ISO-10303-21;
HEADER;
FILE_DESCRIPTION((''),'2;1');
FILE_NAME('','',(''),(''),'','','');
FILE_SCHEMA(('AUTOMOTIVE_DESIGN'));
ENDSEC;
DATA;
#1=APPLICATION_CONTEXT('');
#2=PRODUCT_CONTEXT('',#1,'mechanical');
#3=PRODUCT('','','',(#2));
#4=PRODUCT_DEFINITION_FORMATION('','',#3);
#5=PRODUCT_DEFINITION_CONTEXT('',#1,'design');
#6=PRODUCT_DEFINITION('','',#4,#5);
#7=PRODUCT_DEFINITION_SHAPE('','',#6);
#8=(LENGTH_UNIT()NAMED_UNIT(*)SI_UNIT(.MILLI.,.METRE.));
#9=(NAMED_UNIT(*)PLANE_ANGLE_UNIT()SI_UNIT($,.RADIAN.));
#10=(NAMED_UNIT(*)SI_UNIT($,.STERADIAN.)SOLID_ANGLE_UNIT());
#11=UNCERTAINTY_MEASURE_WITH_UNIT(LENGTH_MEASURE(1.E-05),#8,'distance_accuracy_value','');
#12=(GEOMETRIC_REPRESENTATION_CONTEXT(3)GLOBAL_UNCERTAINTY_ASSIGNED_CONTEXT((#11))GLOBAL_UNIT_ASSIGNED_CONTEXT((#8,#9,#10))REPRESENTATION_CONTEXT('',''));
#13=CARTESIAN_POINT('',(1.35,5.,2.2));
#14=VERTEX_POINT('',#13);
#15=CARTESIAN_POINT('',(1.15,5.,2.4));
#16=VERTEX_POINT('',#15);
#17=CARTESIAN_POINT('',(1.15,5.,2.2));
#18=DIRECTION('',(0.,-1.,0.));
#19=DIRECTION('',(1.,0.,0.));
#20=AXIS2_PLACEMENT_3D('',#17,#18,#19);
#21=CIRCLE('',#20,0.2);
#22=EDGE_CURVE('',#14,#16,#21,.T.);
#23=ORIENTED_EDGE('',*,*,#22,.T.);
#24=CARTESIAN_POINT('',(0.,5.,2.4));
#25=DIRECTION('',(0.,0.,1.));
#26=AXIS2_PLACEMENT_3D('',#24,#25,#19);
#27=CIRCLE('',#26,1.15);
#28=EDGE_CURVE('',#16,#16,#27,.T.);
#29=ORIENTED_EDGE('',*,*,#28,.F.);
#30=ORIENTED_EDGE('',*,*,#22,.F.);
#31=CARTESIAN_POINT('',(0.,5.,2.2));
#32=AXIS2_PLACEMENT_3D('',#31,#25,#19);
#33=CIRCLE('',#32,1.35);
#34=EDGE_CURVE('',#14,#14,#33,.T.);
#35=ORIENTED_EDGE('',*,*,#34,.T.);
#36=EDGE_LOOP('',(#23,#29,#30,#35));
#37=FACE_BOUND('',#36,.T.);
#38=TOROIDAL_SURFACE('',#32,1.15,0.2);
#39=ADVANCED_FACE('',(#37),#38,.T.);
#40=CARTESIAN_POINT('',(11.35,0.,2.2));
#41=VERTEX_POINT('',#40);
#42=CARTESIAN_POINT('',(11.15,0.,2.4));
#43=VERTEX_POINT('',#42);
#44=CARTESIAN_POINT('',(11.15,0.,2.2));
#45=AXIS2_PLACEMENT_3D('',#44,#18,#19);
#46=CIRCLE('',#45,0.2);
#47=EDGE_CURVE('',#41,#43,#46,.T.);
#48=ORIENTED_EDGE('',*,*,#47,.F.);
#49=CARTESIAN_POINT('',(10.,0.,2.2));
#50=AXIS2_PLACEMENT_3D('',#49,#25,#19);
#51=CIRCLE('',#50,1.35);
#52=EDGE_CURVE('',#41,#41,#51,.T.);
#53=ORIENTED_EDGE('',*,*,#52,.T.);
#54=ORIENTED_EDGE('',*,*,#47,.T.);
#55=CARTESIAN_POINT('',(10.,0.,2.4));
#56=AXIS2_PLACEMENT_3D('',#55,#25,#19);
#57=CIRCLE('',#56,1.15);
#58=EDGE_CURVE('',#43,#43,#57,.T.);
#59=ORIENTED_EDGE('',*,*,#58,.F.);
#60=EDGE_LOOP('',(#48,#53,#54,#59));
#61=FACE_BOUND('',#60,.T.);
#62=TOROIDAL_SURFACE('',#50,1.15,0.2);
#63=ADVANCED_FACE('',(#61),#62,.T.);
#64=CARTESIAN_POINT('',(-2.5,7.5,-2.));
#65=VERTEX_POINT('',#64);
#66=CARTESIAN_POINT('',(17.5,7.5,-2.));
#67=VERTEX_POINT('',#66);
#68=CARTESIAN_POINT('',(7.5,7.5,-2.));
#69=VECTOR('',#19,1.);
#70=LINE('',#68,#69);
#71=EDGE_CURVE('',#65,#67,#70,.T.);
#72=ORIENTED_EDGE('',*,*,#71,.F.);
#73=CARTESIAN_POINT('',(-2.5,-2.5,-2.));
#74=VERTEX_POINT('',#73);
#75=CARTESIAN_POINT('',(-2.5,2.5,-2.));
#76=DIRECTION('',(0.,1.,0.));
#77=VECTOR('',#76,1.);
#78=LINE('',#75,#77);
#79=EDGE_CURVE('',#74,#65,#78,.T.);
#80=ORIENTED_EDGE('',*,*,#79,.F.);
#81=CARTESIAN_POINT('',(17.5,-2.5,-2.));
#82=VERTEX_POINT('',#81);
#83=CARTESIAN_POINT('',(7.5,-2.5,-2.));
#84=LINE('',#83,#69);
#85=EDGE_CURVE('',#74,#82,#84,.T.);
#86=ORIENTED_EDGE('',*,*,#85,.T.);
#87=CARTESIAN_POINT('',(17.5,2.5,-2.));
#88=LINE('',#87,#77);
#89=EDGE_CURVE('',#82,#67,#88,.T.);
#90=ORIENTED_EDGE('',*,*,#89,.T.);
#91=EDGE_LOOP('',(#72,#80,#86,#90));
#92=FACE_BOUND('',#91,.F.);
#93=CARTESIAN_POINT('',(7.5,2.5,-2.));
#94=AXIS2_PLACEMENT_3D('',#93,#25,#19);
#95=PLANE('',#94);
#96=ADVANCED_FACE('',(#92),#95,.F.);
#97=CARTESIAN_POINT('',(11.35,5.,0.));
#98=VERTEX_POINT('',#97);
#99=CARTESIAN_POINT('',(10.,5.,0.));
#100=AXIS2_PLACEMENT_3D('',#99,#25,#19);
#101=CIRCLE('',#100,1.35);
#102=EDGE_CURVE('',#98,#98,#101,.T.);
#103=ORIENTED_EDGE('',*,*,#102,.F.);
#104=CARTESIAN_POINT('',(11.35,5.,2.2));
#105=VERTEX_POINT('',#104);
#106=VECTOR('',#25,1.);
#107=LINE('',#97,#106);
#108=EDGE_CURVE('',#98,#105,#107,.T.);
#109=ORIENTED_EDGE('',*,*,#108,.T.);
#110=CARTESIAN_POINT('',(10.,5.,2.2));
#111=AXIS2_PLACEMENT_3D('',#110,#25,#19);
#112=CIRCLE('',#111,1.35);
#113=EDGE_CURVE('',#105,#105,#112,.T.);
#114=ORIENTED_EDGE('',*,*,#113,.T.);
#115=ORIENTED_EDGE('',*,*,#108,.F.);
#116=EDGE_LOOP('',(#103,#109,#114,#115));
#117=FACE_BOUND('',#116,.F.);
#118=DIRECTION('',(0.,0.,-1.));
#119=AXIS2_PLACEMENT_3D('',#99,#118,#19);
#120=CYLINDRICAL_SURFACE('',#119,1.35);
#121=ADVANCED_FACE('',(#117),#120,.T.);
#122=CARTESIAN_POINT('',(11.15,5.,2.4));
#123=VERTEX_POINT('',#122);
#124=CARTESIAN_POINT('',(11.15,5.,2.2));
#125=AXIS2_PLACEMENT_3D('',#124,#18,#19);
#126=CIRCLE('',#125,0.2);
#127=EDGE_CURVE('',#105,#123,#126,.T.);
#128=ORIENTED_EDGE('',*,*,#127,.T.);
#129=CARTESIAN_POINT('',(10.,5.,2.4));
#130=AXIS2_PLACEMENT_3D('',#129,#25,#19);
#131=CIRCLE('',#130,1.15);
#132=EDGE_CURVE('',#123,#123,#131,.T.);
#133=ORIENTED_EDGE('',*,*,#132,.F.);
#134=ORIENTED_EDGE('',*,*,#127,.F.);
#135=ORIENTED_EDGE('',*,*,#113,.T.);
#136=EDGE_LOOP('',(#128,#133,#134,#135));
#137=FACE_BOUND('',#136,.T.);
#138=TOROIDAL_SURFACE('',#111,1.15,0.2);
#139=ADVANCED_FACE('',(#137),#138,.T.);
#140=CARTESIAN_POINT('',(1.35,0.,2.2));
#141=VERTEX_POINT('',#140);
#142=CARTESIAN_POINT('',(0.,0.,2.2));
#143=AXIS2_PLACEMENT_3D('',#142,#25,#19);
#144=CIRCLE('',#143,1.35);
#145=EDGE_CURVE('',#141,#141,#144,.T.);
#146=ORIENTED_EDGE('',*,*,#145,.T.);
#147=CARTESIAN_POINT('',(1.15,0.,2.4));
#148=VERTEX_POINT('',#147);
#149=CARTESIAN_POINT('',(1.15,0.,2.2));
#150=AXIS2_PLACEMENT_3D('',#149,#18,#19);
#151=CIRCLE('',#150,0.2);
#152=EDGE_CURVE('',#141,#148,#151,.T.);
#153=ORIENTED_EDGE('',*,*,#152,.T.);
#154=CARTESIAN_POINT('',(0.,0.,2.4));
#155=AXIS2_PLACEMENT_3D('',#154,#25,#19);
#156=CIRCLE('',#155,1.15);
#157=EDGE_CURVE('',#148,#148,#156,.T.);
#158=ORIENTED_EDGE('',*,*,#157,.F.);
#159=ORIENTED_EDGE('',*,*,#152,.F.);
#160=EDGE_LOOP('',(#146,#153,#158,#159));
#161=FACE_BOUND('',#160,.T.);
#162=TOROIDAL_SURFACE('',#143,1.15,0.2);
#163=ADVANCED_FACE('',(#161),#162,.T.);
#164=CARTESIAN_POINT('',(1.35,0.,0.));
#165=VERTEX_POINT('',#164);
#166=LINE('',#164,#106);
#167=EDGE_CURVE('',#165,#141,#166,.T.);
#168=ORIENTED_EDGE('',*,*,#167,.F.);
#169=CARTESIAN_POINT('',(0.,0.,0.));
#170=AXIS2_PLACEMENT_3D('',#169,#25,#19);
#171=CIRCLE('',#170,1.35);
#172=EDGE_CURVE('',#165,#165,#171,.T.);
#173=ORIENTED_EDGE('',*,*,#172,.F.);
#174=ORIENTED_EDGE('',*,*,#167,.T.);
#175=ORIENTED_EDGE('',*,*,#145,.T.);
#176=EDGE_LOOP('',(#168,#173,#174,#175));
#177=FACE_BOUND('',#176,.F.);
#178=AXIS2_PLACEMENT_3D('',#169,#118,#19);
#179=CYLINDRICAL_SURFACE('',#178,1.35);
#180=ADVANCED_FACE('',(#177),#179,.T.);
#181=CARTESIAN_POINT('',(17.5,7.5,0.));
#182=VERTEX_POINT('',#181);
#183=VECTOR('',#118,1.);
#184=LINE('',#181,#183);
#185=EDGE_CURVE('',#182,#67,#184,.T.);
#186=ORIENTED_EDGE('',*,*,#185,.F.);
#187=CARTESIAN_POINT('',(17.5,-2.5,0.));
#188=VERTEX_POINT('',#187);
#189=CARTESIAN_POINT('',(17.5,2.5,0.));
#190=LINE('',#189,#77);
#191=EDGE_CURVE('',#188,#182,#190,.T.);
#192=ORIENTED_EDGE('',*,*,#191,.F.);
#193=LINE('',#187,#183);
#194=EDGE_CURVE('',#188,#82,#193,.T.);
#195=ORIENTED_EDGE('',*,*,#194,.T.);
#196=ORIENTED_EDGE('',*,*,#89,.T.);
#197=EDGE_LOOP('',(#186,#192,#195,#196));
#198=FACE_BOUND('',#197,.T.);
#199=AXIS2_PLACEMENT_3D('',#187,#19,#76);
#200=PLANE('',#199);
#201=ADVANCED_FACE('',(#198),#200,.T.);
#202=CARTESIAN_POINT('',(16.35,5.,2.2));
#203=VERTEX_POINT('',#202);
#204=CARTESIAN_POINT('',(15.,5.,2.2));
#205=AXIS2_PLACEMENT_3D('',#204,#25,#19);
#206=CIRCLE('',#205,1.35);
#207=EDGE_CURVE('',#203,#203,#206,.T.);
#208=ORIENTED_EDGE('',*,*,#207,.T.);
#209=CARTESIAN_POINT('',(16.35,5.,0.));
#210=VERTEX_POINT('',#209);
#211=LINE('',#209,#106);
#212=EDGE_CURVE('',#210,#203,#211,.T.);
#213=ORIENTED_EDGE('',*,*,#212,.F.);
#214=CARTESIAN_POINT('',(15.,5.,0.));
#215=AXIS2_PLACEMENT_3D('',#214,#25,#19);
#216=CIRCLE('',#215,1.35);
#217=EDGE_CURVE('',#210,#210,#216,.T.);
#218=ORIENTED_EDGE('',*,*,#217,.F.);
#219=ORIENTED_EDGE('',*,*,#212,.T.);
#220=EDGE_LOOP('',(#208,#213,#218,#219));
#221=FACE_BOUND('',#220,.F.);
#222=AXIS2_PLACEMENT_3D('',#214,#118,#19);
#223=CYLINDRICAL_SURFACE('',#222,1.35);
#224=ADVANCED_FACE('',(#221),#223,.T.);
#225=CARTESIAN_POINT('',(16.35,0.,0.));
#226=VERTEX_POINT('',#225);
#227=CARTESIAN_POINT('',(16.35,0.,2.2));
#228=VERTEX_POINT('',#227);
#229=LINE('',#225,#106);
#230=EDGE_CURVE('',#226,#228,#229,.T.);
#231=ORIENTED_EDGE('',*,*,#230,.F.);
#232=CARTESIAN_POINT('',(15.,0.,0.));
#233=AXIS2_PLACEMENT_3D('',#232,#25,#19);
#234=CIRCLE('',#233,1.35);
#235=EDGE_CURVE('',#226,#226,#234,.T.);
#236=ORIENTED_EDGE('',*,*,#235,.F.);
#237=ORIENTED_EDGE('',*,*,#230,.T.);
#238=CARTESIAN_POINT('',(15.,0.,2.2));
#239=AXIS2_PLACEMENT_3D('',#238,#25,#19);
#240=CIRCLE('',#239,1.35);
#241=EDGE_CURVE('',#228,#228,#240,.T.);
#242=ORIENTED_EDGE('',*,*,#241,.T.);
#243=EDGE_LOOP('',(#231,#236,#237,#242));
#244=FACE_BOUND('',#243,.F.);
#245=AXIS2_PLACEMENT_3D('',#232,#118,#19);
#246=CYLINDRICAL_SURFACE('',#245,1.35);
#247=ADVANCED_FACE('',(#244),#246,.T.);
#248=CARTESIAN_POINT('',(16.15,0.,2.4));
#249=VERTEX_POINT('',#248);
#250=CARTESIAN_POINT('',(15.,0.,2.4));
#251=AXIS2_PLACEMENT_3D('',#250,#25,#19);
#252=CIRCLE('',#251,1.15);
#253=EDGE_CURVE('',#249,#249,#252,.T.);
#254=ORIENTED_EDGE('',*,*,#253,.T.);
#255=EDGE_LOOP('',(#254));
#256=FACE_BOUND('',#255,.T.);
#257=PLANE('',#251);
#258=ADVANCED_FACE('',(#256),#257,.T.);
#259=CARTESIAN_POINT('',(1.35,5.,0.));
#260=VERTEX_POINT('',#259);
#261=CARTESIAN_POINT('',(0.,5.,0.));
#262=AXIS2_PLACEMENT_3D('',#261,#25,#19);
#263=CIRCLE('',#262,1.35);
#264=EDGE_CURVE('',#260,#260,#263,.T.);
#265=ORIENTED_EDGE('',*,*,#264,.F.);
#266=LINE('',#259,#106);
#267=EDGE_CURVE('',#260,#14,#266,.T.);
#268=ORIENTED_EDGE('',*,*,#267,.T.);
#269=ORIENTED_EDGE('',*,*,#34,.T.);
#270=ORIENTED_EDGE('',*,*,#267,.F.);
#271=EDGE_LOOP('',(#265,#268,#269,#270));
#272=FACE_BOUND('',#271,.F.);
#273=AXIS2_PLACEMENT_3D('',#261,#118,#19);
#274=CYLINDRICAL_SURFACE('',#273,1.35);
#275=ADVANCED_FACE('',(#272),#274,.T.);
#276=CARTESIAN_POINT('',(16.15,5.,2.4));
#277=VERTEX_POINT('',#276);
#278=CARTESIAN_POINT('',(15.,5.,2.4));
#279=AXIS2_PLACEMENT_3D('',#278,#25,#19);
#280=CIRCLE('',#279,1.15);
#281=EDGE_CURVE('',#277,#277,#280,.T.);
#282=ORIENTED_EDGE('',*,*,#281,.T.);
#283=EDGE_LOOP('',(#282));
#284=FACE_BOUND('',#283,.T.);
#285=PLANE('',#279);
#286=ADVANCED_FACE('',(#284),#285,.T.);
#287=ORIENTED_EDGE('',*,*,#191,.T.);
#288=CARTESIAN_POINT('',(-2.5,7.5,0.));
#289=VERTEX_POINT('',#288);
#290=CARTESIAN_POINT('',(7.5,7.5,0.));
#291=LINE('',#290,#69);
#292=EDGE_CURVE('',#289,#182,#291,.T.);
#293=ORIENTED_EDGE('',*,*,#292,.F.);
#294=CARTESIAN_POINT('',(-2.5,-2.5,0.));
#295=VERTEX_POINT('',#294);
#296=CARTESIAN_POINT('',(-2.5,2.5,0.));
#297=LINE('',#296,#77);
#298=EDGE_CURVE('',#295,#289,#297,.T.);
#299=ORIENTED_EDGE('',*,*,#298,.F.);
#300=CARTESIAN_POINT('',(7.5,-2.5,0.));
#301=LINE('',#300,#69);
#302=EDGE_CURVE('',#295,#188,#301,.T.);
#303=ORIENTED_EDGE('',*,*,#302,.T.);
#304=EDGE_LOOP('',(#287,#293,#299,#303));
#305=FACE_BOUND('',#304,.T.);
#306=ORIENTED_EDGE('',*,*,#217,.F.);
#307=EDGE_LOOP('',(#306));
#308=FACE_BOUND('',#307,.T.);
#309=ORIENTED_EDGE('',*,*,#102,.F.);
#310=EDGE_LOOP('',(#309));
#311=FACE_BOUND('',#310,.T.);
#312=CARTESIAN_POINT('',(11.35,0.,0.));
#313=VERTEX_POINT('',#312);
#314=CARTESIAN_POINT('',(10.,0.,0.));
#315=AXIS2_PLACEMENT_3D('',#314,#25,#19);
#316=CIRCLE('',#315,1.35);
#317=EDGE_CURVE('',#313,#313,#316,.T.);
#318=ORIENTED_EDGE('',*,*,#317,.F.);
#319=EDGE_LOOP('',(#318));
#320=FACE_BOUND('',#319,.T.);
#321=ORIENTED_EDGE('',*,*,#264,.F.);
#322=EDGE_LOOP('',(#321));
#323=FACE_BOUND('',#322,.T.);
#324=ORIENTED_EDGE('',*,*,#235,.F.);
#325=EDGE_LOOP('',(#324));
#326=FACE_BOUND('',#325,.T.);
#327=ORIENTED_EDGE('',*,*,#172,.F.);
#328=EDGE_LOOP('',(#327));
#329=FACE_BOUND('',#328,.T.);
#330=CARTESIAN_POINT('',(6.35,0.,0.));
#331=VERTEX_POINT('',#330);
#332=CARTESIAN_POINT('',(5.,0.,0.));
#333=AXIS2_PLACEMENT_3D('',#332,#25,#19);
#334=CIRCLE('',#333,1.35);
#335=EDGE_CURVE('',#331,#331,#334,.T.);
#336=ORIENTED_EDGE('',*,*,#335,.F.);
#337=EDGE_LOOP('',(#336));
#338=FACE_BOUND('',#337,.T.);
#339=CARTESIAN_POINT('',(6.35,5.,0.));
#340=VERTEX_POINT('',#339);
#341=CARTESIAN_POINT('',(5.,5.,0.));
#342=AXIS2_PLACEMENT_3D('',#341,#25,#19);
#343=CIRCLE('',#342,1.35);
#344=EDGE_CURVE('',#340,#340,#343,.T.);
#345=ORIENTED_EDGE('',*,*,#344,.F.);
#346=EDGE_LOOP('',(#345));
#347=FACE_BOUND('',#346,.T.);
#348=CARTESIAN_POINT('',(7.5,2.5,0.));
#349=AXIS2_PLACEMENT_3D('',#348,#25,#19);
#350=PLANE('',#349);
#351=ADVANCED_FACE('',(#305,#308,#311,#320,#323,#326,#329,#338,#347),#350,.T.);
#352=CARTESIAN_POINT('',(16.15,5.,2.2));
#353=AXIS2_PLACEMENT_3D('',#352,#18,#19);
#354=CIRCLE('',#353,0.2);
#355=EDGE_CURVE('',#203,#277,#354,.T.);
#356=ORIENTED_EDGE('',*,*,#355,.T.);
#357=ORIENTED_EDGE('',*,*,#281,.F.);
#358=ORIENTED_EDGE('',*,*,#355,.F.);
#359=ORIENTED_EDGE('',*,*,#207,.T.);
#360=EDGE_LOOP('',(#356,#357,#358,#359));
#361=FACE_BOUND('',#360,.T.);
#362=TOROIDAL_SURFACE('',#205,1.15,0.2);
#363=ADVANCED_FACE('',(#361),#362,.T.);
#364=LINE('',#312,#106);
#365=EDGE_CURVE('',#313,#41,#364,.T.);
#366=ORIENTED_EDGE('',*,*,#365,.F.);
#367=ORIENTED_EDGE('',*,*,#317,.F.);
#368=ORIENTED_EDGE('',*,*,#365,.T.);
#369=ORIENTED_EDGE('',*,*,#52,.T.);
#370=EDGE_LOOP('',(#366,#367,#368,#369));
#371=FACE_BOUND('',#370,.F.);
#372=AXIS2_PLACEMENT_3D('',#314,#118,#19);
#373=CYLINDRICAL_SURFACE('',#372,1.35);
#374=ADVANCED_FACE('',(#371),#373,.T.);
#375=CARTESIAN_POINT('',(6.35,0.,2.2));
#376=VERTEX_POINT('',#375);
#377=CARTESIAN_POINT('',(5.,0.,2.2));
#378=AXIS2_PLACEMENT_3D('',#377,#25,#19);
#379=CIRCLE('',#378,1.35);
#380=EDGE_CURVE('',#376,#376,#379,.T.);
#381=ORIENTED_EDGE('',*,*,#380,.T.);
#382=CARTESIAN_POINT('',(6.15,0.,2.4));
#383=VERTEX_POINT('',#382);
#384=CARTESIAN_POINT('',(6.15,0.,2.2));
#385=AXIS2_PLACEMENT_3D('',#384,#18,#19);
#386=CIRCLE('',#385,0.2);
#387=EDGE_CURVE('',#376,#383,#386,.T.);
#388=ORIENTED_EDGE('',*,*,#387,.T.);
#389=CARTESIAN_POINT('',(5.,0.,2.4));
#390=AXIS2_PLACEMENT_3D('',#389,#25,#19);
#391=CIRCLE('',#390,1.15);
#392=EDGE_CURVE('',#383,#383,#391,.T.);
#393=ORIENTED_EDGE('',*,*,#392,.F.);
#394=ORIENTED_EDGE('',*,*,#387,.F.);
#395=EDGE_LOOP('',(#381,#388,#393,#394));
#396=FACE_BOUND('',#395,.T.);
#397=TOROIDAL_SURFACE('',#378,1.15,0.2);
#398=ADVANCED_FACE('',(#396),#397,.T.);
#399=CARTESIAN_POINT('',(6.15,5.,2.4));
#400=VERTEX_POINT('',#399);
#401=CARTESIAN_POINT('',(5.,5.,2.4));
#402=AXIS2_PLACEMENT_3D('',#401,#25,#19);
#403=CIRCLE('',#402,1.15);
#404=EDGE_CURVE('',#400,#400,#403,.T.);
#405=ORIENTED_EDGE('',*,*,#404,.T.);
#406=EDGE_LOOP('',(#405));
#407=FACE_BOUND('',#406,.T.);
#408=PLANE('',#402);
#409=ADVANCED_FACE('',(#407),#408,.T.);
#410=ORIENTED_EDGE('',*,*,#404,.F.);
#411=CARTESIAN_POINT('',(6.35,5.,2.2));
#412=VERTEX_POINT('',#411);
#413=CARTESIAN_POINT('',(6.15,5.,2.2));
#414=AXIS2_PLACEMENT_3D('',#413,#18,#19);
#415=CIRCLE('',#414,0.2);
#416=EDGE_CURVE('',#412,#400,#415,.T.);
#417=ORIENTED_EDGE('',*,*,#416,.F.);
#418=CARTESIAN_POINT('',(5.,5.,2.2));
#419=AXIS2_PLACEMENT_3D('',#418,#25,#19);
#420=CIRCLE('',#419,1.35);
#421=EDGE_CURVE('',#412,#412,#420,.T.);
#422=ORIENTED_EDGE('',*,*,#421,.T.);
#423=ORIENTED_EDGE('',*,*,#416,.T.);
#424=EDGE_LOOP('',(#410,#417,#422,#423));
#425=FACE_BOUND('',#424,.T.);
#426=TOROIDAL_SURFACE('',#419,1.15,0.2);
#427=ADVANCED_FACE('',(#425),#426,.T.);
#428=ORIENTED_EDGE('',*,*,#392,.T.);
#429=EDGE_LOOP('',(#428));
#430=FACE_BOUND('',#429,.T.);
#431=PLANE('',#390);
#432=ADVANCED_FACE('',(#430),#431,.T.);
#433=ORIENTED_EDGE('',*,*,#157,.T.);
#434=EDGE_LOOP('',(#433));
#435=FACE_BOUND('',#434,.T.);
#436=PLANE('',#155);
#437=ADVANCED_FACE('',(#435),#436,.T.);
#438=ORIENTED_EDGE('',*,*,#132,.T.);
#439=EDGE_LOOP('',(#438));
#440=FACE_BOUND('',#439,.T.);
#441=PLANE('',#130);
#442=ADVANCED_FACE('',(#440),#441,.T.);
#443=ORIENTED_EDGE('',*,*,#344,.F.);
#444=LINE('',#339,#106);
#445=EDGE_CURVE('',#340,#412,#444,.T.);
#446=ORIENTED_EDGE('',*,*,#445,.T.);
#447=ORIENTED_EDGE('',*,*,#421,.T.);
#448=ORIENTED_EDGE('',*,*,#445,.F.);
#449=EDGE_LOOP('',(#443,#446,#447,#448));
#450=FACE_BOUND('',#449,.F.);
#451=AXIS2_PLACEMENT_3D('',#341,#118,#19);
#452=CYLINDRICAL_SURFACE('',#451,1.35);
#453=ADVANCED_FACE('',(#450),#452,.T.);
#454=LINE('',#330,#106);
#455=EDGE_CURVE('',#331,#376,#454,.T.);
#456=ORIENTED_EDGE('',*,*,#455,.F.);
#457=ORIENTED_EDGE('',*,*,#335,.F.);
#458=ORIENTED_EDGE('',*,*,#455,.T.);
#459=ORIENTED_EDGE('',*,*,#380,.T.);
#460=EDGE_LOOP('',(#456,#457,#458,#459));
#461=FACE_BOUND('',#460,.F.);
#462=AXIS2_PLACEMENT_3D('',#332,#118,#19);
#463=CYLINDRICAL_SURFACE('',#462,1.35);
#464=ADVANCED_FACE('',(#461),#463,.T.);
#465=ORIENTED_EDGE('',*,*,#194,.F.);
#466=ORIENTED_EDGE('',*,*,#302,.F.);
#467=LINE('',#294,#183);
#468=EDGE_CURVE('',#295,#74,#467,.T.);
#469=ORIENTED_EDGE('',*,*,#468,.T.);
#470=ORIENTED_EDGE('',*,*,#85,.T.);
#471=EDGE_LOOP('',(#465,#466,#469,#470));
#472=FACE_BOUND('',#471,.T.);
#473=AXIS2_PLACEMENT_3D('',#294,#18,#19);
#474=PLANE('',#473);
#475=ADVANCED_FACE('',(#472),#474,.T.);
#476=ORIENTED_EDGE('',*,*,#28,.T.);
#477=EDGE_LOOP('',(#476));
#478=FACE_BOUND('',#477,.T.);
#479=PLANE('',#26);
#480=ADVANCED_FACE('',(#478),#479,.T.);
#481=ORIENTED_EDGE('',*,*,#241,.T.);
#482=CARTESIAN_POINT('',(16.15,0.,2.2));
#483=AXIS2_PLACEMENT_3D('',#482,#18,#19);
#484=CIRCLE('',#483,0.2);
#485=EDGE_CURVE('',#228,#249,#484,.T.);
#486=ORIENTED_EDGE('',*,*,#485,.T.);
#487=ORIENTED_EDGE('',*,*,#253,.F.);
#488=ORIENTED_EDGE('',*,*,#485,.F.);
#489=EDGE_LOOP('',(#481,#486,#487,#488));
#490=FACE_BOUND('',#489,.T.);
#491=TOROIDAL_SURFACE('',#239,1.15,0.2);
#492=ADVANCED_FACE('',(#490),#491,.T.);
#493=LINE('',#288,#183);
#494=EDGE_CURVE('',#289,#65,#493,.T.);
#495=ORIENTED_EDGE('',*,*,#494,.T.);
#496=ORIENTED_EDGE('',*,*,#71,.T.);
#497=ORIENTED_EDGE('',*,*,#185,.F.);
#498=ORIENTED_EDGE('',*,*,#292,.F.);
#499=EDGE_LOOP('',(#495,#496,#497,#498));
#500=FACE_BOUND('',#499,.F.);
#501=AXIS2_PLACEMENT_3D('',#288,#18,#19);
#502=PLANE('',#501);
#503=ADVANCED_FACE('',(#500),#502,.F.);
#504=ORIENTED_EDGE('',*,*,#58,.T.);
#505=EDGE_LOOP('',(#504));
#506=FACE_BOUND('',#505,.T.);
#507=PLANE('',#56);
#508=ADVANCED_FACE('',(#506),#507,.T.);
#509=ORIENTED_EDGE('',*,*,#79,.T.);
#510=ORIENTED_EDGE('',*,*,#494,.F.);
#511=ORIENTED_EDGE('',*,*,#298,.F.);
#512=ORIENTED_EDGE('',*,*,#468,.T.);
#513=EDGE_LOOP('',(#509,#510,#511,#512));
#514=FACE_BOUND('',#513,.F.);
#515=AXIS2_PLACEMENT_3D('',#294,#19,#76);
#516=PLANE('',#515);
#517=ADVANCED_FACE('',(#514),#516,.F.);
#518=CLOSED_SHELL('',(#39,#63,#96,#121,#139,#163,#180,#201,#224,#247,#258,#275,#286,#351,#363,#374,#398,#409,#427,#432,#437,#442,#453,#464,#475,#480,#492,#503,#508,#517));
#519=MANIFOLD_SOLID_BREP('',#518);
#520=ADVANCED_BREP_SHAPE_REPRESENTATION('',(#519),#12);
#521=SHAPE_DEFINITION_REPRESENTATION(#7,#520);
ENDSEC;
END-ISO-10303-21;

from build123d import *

# Parameters (mm, degrees)
F0_R     = 1.35
F1_DEPTH = 2.4
F2_W     = 20
F2_H     = 10
F3_DEPTH = 2
F4_R     = 0.2


with BuildPart() as f1:
    # F0 (on Top) → F1 (new body)
    with BuildSketch(Plane.XY):
        Circle(F0_R)
        with Locations((0, 5)):
            Circle(F0_R)
        with Locations((5, 0)):
            Circle(F0_R)
        with Locations((5, 5)):
            Circle(F0_R)
        with Locations((10, 0)):
            Circle(F0_R)
        with Locations((10, 5)):
            Circle(F0_R)
        with Locations((15, 0)):
            Circle(F0_R)
        with Locations((15, 5)):
            Circle(F0_R)
    extrude(amount=F1_DEPTH)

    # F2 (on Top) → F3 (join)
    with BuildSketch(Plane.XY):
        with Locations((7.5, 2.5)):
            Rectangle(F2_W, F2_H)
    extrude(amount=-F3_DEPTH)

    # F4
    f4_edges = [f1.edges().sort_by_distance(p)[0] for p in [
        (-1.35, 5, 2.4),
        (3.65, 5, 2.4),
        (8.65, 5, 2.4),
        (13.65, 5, 2.4),
        (13.65, 0, 2.4),
        (8.65, 0, 2.4),
        (3.65, 0, 2.4),
        (-1.35, 0, 2.4),
    ]]
    fillet(f4_edges, radius=F4_R)


solid = f1.part
